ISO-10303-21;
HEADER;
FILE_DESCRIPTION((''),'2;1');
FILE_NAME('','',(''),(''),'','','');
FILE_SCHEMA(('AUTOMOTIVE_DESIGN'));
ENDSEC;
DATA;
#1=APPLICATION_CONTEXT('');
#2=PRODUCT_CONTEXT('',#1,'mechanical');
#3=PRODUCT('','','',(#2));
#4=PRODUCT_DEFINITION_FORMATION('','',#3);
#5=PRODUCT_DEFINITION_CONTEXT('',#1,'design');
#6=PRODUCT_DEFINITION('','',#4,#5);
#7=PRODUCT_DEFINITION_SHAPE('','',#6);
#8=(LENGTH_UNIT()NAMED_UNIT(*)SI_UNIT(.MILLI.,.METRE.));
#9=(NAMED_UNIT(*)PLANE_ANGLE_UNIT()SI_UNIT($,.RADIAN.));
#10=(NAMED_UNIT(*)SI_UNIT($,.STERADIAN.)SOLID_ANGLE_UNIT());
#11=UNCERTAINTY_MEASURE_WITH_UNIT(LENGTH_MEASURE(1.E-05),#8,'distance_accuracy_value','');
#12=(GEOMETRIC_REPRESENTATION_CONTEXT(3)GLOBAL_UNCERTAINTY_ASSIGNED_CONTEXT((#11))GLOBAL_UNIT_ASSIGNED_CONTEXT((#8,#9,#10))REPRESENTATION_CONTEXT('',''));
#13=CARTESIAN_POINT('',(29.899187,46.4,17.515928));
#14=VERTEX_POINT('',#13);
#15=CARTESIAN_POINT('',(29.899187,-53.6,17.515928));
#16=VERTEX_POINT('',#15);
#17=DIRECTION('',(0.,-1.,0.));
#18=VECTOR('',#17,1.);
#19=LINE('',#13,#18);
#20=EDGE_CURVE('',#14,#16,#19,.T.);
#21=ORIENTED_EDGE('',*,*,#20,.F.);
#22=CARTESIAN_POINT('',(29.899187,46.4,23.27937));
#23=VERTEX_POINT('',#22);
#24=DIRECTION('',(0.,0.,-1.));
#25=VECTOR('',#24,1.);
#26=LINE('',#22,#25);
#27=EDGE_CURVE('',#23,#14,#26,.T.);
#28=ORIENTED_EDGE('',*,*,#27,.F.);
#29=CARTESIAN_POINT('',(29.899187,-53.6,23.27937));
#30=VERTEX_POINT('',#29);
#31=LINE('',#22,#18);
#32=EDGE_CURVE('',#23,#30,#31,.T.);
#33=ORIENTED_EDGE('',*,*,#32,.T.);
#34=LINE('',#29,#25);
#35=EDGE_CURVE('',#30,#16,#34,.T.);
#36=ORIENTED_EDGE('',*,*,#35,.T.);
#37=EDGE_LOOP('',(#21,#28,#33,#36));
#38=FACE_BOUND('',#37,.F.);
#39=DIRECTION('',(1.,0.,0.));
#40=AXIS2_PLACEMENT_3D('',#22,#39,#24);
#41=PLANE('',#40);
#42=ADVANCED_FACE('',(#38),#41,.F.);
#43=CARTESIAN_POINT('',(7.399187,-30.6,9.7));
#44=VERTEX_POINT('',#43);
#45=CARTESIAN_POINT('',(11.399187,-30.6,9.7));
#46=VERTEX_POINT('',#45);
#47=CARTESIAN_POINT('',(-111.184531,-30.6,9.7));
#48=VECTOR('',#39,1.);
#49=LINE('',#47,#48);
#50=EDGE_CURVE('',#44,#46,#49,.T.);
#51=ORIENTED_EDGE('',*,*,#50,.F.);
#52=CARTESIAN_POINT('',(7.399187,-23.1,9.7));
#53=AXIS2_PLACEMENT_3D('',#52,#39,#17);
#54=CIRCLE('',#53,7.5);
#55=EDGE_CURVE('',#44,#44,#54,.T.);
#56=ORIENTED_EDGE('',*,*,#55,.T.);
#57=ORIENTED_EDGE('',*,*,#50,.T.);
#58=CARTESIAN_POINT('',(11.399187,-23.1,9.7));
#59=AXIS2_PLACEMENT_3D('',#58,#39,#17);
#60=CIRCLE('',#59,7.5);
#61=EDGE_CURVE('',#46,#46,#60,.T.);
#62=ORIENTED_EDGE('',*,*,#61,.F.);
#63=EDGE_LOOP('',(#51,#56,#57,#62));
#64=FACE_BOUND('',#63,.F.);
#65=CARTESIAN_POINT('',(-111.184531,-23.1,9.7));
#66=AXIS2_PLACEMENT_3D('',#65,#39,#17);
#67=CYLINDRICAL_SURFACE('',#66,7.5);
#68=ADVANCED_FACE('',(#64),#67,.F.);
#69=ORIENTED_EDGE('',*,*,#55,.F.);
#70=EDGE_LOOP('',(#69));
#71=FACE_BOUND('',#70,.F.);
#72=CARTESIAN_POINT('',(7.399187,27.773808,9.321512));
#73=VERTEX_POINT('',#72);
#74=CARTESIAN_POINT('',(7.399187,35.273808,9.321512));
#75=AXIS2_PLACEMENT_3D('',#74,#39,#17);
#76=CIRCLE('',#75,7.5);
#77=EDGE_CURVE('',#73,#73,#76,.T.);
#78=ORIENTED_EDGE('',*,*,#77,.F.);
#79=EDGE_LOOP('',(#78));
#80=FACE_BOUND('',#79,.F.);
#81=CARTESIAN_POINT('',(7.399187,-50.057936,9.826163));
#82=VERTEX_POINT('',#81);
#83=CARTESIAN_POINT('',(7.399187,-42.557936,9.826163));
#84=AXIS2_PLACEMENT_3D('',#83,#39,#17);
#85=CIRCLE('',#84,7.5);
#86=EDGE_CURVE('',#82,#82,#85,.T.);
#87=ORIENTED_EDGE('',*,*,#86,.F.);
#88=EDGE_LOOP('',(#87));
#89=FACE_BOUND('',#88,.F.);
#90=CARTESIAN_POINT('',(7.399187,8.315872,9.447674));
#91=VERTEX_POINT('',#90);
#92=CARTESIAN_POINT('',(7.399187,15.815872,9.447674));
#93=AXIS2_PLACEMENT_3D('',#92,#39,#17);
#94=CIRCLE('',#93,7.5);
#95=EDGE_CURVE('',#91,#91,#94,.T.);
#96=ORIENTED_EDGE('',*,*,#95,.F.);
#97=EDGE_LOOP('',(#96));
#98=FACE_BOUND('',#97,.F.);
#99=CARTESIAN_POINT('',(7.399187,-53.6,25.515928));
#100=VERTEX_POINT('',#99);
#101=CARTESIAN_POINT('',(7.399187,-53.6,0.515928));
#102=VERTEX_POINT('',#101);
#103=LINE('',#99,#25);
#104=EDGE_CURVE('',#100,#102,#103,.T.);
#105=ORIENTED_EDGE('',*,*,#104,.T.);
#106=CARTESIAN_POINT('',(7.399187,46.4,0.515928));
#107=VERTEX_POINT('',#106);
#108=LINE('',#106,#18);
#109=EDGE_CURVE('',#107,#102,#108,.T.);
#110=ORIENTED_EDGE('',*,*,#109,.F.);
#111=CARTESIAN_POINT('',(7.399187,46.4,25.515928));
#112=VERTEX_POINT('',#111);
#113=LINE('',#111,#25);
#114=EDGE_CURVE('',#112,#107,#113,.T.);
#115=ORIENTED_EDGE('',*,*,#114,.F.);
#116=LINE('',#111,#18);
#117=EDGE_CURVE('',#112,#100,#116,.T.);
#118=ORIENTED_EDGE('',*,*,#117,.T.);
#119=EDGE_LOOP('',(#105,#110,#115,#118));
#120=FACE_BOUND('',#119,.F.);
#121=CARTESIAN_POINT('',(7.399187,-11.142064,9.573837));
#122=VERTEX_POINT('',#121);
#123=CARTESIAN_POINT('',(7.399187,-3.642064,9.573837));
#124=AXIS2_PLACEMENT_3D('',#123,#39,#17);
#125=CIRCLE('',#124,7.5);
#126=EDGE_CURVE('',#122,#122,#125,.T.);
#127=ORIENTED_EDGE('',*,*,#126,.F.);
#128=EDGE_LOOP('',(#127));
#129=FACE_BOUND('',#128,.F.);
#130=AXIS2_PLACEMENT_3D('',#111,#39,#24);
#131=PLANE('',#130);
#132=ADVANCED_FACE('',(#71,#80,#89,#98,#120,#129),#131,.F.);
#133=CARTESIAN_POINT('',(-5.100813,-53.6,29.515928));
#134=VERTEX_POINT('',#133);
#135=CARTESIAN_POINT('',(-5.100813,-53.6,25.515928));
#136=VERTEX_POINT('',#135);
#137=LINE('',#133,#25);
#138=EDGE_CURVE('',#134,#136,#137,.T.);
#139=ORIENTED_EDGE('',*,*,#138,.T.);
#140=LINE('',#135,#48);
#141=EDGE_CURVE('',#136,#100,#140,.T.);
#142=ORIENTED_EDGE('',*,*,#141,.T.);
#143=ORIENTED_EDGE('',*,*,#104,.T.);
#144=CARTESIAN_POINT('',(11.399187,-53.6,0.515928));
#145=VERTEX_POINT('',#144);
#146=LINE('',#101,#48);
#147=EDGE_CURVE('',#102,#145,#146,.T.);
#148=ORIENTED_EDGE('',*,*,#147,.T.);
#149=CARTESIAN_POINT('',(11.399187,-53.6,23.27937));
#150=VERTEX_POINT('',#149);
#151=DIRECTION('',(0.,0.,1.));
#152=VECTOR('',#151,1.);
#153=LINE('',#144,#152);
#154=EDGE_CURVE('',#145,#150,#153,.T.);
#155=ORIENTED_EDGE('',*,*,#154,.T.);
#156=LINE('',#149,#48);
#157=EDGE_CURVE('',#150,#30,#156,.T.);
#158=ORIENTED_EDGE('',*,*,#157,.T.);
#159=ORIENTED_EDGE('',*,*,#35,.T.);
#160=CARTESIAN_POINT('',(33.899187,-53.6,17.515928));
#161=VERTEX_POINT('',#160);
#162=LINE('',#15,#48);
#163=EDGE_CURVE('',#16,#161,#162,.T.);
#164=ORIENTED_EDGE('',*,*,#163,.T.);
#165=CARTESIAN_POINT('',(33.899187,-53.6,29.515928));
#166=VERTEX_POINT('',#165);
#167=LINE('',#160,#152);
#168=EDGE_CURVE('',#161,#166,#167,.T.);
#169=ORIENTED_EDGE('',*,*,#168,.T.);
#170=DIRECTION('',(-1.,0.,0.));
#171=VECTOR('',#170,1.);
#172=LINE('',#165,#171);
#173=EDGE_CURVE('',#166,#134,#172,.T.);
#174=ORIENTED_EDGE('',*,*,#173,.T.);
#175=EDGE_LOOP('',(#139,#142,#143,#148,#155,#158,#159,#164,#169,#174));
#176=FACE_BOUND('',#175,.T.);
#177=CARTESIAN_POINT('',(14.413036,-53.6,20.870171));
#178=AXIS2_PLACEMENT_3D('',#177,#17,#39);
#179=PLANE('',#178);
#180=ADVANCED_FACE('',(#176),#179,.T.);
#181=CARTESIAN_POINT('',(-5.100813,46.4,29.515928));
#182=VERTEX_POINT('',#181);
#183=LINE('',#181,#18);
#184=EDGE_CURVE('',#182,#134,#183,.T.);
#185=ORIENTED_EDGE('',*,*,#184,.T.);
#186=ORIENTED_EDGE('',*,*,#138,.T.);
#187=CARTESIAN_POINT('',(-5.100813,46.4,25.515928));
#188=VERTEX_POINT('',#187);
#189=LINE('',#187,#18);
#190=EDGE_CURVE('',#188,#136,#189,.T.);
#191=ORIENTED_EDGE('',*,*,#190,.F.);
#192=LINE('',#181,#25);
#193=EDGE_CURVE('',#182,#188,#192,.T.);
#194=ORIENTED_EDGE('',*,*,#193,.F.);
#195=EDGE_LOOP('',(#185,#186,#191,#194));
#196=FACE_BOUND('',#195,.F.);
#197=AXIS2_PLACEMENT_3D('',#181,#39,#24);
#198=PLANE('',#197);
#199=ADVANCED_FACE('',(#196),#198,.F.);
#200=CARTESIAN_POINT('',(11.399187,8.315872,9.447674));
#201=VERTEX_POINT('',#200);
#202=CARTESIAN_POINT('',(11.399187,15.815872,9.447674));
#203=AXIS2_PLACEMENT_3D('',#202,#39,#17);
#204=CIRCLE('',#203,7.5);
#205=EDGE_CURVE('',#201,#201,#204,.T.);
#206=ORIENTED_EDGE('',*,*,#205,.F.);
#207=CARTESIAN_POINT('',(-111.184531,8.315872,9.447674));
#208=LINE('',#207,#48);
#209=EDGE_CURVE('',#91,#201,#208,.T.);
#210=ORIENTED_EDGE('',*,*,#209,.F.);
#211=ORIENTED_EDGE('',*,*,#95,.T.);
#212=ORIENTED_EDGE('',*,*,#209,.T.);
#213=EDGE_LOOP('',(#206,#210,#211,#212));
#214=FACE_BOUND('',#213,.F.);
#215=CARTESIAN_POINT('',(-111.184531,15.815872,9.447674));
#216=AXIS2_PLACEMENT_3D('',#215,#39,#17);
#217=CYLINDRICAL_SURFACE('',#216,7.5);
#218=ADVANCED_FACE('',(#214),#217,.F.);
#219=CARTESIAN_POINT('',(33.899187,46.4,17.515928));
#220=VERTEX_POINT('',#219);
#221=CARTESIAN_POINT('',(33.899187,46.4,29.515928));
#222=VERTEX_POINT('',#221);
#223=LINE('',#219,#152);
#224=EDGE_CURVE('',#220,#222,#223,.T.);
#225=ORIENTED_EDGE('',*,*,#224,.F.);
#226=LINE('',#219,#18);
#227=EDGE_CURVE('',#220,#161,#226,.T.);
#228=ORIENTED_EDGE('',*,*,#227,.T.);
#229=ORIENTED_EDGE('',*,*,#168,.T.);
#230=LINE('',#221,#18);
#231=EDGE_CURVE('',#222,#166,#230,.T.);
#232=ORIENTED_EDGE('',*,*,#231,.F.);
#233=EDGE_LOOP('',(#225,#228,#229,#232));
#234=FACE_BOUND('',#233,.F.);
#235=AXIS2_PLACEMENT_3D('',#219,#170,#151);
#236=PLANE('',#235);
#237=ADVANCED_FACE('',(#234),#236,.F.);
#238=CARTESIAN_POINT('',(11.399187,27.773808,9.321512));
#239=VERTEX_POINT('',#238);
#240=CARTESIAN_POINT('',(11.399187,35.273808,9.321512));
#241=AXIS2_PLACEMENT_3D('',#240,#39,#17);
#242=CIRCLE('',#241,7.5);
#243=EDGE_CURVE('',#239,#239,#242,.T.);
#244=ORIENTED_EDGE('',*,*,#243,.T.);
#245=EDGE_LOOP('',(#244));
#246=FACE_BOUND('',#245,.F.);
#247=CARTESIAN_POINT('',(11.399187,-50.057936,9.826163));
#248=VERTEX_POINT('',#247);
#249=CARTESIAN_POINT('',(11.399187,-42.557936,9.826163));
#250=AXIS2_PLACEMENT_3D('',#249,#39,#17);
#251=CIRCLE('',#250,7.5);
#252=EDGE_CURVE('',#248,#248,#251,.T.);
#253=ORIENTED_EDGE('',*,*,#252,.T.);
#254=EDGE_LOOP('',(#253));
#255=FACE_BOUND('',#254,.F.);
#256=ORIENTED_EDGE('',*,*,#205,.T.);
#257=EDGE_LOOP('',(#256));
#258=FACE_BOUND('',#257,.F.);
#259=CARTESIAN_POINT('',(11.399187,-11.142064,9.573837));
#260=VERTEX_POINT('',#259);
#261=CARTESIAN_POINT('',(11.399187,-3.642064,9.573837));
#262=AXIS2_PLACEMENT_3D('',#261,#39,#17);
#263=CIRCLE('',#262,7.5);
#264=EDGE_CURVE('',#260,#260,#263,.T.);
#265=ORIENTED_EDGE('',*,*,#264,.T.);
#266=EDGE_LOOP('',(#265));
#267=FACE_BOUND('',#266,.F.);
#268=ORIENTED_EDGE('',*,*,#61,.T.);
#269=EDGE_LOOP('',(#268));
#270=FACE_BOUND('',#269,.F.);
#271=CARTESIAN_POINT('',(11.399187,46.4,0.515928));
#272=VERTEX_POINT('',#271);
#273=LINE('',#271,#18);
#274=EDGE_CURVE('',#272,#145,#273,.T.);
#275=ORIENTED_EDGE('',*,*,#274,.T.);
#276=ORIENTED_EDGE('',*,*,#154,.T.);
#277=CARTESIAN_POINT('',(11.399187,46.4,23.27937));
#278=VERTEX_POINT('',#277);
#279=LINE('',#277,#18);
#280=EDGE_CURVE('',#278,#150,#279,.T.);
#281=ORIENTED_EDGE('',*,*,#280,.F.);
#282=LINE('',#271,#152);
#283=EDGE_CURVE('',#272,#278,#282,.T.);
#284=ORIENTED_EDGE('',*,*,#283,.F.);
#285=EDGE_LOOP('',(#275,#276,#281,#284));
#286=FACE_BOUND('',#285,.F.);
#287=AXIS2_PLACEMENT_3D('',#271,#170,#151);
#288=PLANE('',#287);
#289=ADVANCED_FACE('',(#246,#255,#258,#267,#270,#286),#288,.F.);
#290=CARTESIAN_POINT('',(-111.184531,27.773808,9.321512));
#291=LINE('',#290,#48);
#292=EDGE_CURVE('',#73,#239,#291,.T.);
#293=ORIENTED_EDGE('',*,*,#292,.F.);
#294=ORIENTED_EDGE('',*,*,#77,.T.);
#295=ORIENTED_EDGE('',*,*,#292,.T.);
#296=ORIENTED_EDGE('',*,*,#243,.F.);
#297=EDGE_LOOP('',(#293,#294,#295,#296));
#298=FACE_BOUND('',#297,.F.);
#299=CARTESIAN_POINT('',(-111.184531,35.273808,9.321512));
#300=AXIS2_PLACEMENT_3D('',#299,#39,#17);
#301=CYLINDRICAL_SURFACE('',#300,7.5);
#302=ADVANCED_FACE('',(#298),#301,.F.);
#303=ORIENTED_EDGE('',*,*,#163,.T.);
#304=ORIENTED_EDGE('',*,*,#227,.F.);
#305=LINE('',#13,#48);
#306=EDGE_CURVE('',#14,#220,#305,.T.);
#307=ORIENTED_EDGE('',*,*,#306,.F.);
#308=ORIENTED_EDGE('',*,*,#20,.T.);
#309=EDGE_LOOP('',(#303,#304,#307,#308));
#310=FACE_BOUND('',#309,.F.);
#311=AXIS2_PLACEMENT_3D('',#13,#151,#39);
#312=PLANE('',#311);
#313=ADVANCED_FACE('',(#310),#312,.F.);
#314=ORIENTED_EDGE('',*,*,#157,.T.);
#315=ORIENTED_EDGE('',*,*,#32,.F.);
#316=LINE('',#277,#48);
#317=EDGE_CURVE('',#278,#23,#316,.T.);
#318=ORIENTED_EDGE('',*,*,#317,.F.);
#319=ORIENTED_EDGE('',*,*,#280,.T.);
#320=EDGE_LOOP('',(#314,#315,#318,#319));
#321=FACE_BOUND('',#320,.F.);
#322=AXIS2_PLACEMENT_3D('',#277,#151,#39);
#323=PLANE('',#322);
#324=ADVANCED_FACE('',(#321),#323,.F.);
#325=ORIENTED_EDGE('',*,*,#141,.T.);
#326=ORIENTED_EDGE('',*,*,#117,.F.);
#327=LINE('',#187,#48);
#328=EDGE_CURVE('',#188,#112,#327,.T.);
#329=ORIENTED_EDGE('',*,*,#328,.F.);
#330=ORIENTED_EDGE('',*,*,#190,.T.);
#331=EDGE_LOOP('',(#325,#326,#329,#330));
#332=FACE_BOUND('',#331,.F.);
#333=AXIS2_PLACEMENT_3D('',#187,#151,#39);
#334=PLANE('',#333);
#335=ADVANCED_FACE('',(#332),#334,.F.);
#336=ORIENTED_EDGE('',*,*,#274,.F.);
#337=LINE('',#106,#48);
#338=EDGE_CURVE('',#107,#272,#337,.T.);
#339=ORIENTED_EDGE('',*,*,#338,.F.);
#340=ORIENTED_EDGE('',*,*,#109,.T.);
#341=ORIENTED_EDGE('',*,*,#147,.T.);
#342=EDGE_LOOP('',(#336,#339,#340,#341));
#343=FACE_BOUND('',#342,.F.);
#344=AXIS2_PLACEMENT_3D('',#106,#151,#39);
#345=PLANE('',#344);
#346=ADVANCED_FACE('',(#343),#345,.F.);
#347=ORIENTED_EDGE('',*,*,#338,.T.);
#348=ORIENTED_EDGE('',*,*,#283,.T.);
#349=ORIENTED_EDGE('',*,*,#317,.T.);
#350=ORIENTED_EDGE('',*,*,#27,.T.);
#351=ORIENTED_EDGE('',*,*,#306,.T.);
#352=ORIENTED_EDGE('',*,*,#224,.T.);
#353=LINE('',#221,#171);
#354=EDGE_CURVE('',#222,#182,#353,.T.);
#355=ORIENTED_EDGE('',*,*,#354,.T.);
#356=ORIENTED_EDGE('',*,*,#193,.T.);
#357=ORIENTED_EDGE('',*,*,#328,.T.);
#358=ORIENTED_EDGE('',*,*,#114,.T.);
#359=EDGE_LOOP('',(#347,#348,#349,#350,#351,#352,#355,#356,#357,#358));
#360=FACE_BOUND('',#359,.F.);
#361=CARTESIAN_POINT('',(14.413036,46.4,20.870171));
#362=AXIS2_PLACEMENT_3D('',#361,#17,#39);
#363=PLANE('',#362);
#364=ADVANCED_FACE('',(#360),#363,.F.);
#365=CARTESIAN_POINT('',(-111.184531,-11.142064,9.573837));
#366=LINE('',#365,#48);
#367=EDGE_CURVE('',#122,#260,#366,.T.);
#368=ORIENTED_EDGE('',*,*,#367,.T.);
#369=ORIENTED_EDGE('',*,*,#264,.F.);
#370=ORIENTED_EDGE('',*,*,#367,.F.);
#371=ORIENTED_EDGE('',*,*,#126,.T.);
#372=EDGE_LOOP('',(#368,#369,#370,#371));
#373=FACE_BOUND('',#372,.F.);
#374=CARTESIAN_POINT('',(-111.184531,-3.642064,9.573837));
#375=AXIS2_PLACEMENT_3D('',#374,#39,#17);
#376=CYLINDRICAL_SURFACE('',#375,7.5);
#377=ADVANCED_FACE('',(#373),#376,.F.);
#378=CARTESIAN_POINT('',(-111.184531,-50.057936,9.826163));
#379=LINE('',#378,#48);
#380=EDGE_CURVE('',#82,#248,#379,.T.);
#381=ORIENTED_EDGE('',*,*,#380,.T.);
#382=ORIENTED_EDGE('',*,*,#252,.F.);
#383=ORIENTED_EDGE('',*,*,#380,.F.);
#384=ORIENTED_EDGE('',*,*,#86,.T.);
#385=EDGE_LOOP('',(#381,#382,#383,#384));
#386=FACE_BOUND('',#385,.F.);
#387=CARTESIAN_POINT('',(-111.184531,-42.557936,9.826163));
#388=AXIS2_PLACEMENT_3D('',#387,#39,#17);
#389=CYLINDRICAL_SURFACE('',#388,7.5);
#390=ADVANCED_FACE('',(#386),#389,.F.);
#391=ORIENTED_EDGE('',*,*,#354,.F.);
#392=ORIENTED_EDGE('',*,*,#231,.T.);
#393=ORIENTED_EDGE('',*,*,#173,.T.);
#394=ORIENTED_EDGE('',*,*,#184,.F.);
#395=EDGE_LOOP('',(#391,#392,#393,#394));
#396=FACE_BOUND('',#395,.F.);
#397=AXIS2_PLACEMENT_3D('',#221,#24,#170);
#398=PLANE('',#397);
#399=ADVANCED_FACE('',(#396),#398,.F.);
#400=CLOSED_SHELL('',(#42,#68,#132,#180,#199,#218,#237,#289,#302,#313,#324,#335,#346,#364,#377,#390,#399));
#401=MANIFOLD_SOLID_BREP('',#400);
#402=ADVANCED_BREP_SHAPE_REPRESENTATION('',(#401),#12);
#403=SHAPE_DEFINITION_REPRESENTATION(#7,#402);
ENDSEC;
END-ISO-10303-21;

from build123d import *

# Parameters (mm, degrees)
F1_DEPTH = 100
F4_D     = 15


with BuildPart() as f1:
    # F0 (on Front) → F1 (new body)
    with BuildSketch(Plane.XZ):
        Polygon((29.8991873538, 23.8793696377), (29.8991873538, 18.1159283534), (33.8991873538, 18.1159283534), (33.8991873538, 26.1159283534), (33.8991873538, 30.1159283534), (-5.1008126462, 30.1159283534), (-5.1008126462, 26.1159283534), (7.3991873538, 26.1159283534), (7.3991873538, 1.1159283534), (11.3991873538, 1.1159283534), (11.3991873538, 23.8793696377), align=None)
    extrude(amount=F1_DEPTH)


with BuildPart() as f1_1:
    # F2: moved
    add(f1.part.moved(Location((0, 46.4, -0.6))))

    # F4 (through all)
    with Locations(Plane(origin=(0, 0, 0), x_dir=(0, 1, 0), z_dir=(-1, 0, 0))):
        with Locations((35.2738084853, -9.32151151), (15.8158723235, -9.44767434), (-3.6420638382, -9.57383717), (-23.1, -9.7), (-42.5579361618, -9.82616283)):
            Hole(F4_D / 2)


solid = f1_1.part
